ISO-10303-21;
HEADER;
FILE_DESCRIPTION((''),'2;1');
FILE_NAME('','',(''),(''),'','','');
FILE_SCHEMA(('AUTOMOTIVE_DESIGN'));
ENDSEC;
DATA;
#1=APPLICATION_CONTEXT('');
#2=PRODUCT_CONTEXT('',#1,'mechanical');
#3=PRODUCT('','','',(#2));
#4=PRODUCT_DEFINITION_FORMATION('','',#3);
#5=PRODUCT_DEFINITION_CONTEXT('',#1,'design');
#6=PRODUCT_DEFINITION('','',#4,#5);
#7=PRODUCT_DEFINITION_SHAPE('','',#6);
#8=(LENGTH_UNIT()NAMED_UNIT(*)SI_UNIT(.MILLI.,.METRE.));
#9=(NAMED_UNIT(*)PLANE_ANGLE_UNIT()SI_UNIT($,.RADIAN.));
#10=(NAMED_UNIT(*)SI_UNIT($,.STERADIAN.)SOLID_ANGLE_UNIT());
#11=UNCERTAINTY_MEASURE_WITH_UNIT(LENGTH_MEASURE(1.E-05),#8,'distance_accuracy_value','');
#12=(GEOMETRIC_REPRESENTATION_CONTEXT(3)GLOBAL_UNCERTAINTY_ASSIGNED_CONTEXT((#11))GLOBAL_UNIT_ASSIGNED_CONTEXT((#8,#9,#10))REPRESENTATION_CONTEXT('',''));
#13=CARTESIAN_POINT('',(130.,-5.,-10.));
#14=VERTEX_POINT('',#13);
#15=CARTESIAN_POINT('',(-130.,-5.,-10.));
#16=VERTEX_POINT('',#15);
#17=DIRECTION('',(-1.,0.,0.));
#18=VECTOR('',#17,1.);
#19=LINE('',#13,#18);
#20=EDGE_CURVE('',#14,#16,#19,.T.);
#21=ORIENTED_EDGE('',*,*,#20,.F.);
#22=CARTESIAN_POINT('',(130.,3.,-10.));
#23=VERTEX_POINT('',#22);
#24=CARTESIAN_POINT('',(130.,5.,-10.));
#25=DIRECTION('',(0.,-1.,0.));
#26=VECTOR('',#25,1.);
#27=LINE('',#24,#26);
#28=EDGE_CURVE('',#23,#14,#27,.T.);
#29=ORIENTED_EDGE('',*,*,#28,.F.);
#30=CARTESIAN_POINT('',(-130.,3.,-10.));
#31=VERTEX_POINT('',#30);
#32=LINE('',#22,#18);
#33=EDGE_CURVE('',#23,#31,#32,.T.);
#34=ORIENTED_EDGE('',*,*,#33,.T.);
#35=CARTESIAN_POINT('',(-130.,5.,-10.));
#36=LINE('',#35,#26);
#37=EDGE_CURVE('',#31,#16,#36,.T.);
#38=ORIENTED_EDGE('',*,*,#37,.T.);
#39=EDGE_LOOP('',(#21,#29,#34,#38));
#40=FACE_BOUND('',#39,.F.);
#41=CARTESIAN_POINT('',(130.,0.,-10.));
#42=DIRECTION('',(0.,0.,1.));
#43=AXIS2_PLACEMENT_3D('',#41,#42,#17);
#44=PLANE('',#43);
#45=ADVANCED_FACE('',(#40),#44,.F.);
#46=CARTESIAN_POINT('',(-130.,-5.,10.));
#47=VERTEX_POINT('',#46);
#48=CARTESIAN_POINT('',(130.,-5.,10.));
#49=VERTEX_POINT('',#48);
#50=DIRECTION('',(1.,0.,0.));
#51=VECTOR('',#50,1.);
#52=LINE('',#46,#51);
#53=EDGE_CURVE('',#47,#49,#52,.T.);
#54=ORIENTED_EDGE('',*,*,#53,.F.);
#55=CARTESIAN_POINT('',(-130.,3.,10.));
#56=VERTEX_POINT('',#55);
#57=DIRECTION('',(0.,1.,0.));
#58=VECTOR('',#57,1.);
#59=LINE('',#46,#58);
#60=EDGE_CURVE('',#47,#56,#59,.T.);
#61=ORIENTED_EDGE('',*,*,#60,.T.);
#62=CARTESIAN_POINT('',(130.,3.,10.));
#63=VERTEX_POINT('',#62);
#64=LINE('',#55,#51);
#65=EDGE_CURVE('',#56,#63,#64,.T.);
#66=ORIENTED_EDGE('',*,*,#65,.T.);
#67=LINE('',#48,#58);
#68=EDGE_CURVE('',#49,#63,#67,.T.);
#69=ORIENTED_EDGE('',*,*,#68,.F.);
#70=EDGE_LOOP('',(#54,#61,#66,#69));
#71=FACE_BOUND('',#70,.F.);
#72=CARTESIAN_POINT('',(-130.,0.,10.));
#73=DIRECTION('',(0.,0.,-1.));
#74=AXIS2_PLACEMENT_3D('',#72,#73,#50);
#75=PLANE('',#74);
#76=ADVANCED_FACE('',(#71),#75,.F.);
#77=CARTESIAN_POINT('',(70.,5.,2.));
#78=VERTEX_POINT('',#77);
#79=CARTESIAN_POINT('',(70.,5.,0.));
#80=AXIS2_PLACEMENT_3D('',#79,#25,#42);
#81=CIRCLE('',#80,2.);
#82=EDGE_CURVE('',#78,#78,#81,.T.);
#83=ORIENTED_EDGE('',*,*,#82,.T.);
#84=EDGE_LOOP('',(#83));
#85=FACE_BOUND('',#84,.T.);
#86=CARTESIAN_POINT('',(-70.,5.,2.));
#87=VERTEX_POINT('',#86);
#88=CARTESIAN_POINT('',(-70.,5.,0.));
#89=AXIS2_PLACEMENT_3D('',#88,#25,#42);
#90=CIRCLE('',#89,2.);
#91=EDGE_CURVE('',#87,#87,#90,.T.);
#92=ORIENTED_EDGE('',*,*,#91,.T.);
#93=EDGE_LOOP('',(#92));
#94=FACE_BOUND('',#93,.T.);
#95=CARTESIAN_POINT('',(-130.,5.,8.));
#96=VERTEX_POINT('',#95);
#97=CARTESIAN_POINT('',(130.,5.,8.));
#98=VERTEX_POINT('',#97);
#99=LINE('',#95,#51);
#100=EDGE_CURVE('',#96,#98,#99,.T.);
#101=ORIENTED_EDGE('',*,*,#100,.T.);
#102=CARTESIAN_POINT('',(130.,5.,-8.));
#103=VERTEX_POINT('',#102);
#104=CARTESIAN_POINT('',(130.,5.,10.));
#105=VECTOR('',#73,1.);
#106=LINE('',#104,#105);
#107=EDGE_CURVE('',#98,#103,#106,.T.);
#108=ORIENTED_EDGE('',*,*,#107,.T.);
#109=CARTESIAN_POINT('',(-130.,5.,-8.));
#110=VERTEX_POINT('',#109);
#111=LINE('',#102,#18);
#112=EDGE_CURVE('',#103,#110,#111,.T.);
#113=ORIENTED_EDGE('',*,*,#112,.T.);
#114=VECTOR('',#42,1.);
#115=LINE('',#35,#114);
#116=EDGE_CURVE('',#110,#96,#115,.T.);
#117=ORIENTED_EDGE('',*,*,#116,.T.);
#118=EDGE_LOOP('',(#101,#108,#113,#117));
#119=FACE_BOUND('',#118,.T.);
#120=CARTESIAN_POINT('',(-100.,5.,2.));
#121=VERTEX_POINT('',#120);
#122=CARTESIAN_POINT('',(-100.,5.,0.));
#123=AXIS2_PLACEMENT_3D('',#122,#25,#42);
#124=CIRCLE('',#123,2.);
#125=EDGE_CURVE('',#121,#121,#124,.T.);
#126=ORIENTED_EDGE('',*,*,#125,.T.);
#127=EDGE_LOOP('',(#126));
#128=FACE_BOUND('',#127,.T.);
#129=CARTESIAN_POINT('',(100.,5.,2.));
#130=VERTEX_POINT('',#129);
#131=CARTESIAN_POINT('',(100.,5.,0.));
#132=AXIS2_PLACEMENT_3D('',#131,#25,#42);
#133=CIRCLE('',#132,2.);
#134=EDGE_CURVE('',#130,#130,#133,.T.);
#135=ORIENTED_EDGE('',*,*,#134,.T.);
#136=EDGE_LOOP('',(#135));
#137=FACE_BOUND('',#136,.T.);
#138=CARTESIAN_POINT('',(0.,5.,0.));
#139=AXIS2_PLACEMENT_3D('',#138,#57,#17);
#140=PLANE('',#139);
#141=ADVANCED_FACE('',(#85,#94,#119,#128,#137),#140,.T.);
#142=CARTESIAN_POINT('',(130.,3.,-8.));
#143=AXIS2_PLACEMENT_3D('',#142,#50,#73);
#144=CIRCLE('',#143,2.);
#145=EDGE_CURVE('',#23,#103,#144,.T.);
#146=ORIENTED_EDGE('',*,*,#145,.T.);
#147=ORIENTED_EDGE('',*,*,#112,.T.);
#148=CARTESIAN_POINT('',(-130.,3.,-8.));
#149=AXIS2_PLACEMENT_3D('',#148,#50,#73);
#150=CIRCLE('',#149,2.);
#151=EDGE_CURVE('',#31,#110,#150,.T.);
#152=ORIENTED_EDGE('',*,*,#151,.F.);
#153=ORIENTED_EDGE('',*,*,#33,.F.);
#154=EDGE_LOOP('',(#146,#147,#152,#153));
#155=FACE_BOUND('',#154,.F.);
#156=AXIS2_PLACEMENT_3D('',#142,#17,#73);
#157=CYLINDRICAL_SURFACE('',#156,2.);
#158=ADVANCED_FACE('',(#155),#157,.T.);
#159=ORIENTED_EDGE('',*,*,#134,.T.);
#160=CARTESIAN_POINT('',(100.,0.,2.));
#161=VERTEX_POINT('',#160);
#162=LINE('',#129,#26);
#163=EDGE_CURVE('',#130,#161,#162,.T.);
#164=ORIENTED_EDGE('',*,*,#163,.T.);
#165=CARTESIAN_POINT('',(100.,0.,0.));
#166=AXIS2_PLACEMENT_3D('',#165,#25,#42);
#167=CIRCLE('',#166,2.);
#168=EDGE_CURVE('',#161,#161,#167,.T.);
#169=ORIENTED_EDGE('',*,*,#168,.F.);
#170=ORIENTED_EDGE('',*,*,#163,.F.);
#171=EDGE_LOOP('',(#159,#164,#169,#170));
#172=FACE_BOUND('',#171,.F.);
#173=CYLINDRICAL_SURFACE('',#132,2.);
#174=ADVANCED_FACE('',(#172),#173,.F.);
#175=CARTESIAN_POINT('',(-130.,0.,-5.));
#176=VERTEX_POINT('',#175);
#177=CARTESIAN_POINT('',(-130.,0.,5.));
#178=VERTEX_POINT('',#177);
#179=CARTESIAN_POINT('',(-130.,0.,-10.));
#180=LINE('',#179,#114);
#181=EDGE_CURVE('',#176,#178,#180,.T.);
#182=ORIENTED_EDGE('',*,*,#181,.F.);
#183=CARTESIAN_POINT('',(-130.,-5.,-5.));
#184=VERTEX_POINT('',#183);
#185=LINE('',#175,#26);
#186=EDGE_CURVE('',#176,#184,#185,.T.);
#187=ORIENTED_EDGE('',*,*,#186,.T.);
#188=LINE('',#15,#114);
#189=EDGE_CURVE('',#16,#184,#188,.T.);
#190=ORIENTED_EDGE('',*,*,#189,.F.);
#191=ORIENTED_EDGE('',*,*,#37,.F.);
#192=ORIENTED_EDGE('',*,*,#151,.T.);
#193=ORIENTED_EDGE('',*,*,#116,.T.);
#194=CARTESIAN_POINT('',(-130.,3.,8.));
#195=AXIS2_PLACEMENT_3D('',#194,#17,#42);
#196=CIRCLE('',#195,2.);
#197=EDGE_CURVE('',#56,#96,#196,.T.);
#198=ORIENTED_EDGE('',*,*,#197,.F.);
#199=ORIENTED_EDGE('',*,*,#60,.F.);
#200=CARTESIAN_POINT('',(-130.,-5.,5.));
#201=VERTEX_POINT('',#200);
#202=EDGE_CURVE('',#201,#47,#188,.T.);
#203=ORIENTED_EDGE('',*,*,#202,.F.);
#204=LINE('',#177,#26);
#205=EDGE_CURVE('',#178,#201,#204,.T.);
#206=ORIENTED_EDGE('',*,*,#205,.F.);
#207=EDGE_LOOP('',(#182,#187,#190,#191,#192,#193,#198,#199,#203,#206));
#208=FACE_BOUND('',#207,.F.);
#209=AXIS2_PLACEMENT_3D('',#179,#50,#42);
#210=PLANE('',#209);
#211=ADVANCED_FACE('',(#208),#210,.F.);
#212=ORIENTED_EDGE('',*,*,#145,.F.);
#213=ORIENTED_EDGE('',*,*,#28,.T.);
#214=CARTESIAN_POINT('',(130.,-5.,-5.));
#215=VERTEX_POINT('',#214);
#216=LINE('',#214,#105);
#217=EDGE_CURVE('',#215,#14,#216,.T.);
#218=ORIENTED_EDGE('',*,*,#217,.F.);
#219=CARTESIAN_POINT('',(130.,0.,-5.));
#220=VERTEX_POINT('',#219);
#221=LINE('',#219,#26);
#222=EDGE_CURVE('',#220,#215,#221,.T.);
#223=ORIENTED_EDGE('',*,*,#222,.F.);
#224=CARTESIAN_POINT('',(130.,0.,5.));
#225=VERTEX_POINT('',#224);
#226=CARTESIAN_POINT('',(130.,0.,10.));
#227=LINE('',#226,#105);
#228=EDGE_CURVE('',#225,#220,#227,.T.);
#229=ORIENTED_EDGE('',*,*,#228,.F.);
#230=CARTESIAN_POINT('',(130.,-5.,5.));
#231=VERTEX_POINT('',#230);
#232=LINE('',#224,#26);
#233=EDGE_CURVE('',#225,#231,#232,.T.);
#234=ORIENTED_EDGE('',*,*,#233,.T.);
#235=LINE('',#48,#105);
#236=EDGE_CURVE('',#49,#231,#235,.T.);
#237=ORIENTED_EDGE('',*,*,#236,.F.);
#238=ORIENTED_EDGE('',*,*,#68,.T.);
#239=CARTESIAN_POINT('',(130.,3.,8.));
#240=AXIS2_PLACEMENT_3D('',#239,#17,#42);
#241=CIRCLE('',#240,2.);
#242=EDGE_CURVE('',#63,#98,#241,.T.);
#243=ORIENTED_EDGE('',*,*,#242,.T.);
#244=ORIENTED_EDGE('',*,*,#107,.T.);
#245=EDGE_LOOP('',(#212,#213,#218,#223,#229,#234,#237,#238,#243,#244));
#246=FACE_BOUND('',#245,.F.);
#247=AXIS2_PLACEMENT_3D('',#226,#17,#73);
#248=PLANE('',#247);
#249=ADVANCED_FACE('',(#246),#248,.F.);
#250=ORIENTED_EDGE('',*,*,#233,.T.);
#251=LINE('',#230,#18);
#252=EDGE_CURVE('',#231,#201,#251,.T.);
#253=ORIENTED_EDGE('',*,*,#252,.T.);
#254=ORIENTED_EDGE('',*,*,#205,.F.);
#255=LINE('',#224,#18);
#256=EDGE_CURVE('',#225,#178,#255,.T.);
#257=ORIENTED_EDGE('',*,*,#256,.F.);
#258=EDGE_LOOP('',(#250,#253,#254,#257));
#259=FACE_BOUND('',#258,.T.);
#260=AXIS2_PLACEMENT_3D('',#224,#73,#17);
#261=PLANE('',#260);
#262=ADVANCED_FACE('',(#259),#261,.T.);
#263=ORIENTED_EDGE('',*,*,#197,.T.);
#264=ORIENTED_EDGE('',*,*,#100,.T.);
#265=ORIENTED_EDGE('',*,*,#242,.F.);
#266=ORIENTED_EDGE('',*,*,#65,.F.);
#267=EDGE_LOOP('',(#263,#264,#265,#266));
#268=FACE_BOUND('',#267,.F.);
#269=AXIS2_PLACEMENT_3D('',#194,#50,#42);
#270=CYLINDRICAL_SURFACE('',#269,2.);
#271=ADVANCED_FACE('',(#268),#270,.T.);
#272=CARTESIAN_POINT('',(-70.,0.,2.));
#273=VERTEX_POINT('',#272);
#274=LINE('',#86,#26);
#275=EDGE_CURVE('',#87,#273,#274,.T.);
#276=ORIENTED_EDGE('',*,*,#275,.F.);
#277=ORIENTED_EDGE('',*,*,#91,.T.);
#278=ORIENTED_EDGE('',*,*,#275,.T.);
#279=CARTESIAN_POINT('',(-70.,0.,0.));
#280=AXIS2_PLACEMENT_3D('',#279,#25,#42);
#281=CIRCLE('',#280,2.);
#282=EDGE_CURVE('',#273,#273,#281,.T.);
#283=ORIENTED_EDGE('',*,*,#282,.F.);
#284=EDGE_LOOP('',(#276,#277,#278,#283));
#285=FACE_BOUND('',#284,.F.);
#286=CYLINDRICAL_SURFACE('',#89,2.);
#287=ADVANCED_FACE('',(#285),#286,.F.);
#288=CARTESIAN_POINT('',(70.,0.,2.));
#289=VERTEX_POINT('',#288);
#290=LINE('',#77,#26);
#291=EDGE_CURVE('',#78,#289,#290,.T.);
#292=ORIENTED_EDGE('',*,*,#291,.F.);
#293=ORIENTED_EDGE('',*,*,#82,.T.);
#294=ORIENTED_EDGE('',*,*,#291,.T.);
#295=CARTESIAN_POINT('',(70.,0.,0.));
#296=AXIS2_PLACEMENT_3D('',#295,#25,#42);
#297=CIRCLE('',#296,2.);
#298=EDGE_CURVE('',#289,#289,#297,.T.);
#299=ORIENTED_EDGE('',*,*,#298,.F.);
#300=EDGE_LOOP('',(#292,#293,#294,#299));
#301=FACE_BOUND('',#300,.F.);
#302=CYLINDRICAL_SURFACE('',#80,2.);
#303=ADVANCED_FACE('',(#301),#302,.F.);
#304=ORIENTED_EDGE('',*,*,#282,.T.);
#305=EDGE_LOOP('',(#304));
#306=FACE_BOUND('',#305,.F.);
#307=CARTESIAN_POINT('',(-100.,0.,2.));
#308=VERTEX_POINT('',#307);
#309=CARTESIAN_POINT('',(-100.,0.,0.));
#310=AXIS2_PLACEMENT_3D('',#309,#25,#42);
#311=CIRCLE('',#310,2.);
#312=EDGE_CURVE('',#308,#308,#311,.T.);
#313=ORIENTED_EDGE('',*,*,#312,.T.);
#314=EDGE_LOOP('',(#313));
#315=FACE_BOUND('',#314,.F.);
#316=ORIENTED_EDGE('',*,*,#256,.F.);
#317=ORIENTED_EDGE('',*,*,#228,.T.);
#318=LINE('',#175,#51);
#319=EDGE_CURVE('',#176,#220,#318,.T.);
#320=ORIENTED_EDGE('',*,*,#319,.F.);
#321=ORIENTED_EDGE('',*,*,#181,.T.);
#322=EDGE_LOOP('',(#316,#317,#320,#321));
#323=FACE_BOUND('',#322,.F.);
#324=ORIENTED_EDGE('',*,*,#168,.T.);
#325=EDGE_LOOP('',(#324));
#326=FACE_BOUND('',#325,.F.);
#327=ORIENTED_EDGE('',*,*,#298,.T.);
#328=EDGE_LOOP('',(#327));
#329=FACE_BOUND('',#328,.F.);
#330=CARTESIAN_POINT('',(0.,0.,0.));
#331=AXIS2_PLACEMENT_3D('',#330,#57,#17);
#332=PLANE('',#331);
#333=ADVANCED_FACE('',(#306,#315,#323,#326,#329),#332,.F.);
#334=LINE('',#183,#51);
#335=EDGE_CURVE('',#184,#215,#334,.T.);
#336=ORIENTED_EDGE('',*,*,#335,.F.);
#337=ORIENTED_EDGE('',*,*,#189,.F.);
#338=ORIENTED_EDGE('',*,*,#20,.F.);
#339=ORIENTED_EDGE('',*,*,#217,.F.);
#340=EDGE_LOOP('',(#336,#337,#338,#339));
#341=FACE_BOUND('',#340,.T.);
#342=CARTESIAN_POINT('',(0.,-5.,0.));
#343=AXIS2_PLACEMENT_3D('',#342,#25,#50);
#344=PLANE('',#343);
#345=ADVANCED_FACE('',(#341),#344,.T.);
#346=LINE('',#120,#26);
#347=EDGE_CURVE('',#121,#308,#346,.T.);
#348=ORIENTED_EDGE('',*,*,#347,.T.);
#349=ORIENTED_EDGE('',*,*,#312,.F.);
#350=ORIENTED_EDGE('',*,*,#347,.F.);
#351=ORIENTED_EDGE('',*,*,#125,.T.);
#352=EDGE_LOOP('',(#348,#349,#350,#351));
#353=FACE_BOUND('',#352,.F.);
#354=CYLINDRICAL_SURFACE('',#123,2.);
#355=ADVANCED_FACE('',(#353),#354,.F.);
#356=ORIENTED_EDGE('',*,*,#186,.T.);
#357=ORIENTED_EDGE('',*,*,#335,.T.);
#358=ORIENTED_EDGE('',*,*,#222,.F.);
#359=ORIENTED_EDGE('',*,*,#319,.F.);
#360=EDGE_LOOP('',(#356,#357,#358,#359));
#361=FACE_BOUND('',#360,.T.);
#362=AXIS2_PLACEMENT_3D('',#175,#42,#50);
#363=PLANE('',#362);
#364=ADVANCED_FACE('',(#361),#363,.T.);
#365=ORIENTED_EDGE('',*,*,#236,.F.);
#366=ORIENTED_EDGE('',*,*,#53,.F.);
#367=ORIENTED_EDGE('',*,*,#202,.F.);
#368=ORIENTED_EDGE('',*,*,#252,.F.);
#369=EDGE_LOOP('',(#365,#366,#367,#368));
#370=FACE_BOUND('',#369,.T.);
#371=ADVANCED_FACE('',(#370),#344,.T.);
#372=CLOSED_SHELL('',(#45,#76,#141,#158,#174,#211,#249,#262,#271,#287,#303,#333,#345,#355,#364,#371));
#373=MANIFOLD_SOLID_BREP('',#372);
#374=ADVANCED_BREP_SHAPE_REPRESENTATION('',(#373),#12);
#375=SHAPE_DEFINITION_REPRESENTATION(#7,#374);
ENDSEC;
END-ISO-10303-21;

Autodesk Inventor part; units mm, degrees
ref_plane "YZ Plane" through (0, 0, 0) normal (1, 0, 0) x (0, 1, 0)
ref_plane "XZ Plane" through (0, 0, 0) normal (0, 1, 0) x (-1, 0, 0)
ref_plane "XY Plane" through (0, 0, 0) normal (0, 0, 1) x (1, 0, 0)
sketch "Sketch2" plane through (0, 0, 0) normal (0, 1, 0) x (-1, 0, 0)
  line L0 (130, 10) -> (-130, 10)
  line L1 (-130, 10) -> (-130, -10)
  line L2 (-130, -10) -> (130, -10)
  line L3 (130, -10) -> (130, 10)
  line L4 (130, 10) -> (-130, -10) construction
  line L5 (-130, 10) -> (130, -10) construction
  point P0 (0, 0)
  dimension "d6" = 260
  dimension "d7" = 20
extrude "Extrusion2" add sketch "Sketch2" along normal blind 5
sketch "Sketch3" plane through (0, 0, 0) normal (0, -1, 0) x (1, 0, 0)
  line L0 (-130, -10) -> (-130, 10) projected
  line L1 (-130, 10) -> (130, 10)
  line L2 (130, 10) -> (130, 5)
  line L3 (130, 5) -> (-130, 5)
  line L4 (-130, 5) -> (-130, 10)
  line L5 (130, -10) -> (-130, -10) projected
  line L6 (130, -10) -> (-130, -10)
  line L7 (-130, -10) -> (-130, -5)
  line L8 (-130, -5) -> (130, -5)
  line L9 (130, -5) -> (130, -10)
  point P0 (0, 0)
  dimension "d10" = 260
  dimension "d11" = 5
  dimension "d13" = 5
extrude "Extrusion3" add sketch "Sketch3" along normal blind 5
fillet "Fillet1" radius 2 2 edges at (0, 5, 10) (0, 5, -10)
sketch "Sketch5" plane through (0, 5, 0) normal (0, 1, 0) x (1, 0, 0)
  point P0 (0, 0)
  point P1 (100, 0)
  point P2 (70, 0)
  point P3 (-70, 0)
  point P4 (-100, 0)
  dimension "d31" = 70
  dimension "d32" = 70
  dimension "d33" = 30
  dimension "d34" = 30
hole "Hole2" at (100, 5, 0) at (70, 5, 0) at (-70, 5, 0) at (-100, 5, 0) direction (0, -1, 0) diameter 4 end through all
properties part number "BASE_DE_PRUEBA"
